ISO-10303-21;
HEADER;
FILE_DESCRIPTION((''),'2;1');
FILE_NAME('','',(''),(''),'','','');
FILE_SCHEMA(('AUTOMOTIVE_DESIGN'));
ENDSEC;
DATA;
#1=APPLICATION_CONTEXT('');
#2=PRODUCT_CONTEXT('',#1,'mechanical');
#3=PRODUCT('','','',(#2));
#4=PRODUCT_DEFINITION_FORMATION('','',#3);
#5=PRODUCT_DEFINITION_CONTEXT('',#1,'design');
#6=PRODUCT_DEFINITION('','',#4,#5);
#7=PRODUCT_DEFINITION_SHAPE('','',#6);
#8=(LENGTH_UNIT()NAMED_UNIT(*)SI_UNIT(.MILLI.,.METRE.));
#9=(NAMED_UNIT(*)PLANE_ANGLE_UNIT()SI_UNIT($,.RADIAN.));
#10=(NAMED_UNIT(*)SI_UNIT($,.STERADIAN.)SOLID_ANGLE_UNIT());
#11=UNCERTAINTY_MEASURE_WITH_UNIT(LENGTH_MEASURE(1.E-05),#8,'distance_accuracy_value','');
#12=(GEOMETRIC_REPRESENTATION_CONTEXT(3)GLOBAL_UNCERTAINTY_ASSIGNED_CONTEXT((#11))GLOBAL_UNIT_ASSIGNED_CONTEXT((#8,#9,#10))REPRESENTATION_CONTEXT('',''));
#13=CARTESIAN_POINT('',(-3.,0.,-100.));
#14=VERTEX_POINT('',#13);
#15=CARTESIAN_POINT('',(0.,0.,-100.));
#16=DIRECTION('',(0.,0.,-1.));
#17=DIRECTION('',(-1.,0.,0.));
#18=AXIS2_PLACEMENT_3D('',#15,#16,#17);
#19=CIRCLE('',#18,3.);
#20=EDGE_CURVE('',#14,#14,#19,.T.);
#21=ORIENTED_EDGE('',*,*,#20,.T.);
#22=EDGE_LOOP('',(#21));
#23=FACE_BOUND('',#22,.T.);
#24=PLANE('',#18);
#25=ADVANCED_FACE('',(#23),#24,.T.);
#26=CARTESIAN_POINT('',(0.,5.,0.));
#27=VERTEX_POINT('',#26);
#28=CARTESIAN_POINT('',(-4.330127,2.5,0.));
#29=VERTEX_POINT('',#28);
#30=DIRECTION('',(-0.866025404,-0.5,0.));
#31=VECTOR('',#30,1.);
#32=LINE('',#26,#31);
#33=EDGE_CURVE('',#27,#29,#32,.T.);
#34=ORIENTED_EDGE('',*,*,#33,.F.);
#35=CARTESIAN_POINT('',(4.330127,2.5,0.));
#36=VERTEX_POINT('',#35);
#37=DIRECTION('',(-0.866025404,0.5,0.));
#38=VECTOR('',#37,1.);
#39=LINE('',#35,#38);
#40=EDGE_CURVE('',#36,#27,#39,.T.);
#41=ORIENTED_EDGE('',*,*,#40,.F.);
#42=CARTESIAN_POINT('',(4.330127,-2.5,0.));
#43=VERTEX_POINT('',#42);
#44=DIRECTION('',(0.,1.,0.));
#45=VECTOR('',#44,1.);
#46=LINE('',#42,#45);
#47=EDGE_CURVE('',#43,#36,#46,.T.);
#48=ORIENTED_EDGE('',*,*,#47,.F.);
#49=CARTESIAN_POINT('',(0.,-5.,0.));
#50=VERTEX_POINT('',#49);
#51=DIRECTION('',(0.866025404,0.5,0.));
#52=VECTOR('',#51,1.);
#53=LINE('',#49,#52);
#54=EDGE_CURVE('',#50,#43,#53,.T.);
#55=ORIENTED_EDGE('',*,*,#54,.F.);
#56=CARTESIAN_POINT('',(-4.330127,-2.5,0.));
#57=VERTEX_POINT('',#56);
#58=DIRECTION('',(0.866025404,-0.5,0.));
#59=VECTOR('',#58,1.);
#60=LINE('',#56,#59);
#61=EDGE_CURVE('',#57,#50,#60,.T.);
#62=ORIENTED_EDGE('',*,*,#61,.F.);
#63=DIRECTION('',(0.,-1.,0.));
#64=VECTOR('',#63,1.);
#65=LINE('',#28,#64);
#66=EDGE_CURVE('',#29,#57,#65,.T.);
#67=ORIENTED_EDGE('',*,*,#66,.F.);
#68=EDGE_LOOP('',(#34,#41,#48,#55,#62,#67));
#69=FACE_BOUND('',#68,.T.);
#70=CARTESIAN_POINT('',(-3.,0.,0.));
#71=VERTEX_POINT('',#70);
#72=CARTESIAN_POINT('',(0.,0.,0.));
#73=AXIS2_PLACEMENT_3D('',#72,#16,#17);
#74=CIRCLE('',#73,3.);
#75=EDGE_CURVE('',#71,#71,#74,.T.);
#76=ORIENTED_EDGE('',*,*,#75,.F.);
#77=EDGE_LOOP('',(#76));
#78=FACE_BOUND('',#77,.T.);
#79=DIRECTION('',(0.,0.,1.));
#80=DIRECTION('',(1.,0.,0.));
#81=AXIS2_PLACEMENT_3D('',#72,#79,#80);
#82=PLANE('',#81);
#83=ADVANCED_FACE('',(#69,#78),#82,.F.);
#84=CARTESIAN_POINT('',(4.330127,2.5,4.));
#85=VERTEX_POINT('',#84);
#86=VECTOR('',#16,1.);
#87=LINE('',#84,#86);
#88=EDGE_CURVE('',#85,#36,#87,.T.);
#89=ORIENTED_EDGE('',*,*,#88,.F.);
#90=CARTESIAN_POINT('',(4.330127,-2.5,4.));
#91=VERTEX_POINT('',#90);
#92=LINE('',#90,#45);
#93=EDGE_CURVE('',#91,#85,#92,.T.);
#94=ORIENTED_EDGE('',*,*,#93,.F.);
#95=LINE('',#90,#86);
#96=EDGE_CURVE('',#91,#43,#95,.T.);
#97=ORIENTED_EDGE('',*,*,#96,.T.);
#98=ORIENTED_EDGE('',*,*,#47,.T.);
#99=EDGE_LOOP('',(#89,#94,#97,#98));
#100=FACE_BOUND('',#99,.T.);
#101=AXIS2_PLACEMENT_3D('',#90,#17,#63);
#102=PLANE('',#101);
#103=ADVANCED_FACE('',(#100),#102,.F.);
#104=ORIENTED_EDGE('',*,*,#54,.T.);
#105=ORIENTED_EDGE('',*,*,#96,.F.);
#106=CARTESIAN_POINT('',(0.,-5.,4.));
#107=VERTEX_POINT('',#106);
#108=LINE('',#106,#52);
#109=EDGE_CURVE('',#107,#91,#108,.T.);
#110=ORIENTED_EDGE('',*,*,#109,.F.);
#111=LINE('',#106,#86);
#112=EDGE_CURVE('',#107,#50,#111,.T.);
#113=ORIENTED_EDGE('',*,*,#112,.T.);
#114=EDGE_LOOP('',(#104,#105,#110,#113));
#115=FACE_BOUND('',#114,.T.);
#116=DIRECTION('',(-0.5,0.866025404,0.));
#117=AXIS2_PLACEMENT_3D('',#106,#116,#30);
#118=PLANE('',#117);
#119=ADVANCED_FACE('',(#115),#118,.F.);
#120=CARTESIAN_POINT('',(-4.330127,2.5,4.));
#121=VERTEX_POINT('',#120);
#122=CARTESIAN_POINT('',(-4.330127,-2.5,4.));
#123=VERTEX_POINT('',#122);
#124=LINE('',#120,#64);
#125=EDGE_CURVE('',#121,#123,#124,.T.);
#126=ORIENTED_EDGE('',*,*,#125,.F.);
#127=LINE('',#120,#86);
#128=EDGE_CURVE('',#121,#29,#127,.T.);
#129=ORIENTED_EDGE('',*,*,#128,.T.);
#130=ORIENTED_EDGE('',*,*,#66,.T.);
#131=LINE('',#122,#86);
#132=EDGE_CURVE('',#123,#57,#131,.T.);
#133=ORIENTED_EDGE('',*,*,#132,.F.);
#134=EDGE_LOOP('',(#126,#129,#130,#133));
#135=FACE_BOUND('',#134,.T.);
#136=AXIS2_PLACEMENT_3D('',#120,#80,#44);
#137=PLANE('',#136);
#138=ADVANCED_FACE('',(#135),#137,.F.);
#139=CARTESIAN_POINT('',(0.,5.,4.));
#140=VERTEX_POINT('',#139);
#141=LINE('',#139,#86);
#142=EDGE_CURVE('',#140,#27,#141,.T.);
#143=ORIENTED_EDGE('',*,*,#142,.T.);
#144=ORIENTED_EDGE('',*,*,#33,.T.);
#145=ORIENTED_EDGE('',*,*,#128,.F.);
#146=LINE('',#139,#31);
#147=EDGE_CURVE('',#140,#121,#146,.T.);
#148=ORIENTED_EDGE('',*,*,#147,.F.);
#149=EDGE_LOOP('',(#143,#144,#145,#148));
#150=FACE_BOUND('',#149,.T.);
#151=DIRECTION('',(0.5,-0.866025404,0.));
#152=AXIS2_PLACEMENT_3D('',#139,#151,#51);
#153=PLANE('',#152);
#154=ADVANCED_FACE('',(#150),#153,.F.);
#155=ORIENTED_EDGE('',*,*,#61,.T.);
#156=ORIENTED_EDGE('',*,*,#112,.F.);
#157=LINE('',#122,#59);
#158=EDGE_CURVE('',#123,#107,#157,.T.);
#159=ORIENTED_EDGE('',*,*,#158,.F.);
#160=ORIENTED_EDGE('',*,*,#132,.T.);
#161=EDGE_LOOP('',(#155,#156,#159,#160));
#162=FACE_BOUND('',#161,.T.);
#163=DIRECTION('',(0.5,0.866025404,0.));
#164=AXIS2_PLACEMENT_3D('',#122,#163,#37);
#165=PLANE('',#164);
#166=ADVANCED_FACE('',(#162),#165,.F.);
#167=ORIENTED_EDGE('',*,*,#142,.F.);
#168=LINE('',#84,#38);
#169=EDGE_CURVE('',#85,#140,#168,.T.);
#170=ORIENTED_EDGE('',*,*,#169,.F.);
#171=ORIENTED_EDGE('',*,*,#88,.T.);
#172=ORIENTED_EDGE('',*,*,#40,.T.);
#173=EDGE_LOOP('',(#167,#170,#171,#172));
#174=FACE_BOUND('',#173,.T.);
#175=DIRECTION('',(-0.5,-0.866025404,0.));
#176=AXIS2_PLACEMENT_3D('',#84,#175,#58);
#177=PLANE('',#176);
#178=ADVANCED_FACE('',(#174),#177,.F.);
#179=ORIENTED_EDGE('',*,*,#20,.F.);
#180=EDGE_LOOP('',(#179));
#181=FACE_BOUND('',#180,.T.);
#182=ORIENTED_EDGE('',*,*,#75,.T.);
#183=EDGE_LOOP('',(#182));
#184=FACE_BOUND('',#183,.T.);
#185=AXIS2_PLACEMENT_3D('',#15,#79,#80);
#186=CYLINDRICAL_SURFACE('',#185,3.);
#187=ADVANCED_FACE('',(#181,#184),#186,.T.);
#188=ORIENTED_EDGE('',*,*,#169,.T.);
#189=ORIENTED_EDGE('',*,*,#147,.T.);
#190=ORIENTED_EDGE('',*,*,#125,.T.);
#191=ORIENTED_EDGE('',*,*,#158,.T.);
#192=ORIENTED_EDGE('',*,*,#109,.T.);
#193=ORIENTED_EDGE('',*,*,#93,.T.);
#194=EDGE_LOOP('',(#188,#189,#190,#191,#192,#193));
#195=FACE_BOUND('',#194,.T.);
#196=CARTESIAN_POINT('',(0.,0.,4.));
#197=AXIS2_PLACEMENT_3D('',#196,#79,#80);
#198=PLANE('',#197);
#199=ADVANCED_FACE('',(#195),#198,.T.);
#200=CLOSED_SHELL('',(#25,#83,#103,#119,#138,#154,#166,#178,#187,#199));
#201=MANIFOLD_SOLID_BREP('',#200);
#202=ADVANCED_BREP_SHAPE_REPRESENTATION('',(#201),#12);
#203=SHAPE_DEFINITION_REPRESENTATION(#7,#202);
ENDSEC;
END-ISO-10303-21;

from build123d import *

# Parameters (mm, degrees)
BOSS_EXTRUDE1_DEPTH = 4
SKETCH2_R           = 3
BOSS_EXTRUDE2_DEPTH = 100


with BuildPart() as part:
    # Sketch1 → Boss-Extrude1 (new body)
    with BuildSketch(Plane(origin=(0, 0, 0), x_dir=(0, 1, 0), z_dir=(0, 0, 1))):
        Polygon((2.5, 4.330127019), (-2.5, 4.330127019), (-5, 0), (-2.5, -4.330127019), (2.5, -4.330127019), (5, 0), align=None)
    extrude(amount=BOSS_EXTRUDE1_DEPTH)

    # Sketch2 → Boss-Extrude2 (add)
    with BuildSketch(Plane(origin=(0, 0, 0), x_dir=(1, 0, 0), z_dir=(0, 0, -1))):
        with Locations(Location((0, 0, 0), (0, 0, 180))):
            Circle(SKETCH2_R)
    extrude(amount=BOSS_EXTRUDE2_DEPTH)


solid = part.part
